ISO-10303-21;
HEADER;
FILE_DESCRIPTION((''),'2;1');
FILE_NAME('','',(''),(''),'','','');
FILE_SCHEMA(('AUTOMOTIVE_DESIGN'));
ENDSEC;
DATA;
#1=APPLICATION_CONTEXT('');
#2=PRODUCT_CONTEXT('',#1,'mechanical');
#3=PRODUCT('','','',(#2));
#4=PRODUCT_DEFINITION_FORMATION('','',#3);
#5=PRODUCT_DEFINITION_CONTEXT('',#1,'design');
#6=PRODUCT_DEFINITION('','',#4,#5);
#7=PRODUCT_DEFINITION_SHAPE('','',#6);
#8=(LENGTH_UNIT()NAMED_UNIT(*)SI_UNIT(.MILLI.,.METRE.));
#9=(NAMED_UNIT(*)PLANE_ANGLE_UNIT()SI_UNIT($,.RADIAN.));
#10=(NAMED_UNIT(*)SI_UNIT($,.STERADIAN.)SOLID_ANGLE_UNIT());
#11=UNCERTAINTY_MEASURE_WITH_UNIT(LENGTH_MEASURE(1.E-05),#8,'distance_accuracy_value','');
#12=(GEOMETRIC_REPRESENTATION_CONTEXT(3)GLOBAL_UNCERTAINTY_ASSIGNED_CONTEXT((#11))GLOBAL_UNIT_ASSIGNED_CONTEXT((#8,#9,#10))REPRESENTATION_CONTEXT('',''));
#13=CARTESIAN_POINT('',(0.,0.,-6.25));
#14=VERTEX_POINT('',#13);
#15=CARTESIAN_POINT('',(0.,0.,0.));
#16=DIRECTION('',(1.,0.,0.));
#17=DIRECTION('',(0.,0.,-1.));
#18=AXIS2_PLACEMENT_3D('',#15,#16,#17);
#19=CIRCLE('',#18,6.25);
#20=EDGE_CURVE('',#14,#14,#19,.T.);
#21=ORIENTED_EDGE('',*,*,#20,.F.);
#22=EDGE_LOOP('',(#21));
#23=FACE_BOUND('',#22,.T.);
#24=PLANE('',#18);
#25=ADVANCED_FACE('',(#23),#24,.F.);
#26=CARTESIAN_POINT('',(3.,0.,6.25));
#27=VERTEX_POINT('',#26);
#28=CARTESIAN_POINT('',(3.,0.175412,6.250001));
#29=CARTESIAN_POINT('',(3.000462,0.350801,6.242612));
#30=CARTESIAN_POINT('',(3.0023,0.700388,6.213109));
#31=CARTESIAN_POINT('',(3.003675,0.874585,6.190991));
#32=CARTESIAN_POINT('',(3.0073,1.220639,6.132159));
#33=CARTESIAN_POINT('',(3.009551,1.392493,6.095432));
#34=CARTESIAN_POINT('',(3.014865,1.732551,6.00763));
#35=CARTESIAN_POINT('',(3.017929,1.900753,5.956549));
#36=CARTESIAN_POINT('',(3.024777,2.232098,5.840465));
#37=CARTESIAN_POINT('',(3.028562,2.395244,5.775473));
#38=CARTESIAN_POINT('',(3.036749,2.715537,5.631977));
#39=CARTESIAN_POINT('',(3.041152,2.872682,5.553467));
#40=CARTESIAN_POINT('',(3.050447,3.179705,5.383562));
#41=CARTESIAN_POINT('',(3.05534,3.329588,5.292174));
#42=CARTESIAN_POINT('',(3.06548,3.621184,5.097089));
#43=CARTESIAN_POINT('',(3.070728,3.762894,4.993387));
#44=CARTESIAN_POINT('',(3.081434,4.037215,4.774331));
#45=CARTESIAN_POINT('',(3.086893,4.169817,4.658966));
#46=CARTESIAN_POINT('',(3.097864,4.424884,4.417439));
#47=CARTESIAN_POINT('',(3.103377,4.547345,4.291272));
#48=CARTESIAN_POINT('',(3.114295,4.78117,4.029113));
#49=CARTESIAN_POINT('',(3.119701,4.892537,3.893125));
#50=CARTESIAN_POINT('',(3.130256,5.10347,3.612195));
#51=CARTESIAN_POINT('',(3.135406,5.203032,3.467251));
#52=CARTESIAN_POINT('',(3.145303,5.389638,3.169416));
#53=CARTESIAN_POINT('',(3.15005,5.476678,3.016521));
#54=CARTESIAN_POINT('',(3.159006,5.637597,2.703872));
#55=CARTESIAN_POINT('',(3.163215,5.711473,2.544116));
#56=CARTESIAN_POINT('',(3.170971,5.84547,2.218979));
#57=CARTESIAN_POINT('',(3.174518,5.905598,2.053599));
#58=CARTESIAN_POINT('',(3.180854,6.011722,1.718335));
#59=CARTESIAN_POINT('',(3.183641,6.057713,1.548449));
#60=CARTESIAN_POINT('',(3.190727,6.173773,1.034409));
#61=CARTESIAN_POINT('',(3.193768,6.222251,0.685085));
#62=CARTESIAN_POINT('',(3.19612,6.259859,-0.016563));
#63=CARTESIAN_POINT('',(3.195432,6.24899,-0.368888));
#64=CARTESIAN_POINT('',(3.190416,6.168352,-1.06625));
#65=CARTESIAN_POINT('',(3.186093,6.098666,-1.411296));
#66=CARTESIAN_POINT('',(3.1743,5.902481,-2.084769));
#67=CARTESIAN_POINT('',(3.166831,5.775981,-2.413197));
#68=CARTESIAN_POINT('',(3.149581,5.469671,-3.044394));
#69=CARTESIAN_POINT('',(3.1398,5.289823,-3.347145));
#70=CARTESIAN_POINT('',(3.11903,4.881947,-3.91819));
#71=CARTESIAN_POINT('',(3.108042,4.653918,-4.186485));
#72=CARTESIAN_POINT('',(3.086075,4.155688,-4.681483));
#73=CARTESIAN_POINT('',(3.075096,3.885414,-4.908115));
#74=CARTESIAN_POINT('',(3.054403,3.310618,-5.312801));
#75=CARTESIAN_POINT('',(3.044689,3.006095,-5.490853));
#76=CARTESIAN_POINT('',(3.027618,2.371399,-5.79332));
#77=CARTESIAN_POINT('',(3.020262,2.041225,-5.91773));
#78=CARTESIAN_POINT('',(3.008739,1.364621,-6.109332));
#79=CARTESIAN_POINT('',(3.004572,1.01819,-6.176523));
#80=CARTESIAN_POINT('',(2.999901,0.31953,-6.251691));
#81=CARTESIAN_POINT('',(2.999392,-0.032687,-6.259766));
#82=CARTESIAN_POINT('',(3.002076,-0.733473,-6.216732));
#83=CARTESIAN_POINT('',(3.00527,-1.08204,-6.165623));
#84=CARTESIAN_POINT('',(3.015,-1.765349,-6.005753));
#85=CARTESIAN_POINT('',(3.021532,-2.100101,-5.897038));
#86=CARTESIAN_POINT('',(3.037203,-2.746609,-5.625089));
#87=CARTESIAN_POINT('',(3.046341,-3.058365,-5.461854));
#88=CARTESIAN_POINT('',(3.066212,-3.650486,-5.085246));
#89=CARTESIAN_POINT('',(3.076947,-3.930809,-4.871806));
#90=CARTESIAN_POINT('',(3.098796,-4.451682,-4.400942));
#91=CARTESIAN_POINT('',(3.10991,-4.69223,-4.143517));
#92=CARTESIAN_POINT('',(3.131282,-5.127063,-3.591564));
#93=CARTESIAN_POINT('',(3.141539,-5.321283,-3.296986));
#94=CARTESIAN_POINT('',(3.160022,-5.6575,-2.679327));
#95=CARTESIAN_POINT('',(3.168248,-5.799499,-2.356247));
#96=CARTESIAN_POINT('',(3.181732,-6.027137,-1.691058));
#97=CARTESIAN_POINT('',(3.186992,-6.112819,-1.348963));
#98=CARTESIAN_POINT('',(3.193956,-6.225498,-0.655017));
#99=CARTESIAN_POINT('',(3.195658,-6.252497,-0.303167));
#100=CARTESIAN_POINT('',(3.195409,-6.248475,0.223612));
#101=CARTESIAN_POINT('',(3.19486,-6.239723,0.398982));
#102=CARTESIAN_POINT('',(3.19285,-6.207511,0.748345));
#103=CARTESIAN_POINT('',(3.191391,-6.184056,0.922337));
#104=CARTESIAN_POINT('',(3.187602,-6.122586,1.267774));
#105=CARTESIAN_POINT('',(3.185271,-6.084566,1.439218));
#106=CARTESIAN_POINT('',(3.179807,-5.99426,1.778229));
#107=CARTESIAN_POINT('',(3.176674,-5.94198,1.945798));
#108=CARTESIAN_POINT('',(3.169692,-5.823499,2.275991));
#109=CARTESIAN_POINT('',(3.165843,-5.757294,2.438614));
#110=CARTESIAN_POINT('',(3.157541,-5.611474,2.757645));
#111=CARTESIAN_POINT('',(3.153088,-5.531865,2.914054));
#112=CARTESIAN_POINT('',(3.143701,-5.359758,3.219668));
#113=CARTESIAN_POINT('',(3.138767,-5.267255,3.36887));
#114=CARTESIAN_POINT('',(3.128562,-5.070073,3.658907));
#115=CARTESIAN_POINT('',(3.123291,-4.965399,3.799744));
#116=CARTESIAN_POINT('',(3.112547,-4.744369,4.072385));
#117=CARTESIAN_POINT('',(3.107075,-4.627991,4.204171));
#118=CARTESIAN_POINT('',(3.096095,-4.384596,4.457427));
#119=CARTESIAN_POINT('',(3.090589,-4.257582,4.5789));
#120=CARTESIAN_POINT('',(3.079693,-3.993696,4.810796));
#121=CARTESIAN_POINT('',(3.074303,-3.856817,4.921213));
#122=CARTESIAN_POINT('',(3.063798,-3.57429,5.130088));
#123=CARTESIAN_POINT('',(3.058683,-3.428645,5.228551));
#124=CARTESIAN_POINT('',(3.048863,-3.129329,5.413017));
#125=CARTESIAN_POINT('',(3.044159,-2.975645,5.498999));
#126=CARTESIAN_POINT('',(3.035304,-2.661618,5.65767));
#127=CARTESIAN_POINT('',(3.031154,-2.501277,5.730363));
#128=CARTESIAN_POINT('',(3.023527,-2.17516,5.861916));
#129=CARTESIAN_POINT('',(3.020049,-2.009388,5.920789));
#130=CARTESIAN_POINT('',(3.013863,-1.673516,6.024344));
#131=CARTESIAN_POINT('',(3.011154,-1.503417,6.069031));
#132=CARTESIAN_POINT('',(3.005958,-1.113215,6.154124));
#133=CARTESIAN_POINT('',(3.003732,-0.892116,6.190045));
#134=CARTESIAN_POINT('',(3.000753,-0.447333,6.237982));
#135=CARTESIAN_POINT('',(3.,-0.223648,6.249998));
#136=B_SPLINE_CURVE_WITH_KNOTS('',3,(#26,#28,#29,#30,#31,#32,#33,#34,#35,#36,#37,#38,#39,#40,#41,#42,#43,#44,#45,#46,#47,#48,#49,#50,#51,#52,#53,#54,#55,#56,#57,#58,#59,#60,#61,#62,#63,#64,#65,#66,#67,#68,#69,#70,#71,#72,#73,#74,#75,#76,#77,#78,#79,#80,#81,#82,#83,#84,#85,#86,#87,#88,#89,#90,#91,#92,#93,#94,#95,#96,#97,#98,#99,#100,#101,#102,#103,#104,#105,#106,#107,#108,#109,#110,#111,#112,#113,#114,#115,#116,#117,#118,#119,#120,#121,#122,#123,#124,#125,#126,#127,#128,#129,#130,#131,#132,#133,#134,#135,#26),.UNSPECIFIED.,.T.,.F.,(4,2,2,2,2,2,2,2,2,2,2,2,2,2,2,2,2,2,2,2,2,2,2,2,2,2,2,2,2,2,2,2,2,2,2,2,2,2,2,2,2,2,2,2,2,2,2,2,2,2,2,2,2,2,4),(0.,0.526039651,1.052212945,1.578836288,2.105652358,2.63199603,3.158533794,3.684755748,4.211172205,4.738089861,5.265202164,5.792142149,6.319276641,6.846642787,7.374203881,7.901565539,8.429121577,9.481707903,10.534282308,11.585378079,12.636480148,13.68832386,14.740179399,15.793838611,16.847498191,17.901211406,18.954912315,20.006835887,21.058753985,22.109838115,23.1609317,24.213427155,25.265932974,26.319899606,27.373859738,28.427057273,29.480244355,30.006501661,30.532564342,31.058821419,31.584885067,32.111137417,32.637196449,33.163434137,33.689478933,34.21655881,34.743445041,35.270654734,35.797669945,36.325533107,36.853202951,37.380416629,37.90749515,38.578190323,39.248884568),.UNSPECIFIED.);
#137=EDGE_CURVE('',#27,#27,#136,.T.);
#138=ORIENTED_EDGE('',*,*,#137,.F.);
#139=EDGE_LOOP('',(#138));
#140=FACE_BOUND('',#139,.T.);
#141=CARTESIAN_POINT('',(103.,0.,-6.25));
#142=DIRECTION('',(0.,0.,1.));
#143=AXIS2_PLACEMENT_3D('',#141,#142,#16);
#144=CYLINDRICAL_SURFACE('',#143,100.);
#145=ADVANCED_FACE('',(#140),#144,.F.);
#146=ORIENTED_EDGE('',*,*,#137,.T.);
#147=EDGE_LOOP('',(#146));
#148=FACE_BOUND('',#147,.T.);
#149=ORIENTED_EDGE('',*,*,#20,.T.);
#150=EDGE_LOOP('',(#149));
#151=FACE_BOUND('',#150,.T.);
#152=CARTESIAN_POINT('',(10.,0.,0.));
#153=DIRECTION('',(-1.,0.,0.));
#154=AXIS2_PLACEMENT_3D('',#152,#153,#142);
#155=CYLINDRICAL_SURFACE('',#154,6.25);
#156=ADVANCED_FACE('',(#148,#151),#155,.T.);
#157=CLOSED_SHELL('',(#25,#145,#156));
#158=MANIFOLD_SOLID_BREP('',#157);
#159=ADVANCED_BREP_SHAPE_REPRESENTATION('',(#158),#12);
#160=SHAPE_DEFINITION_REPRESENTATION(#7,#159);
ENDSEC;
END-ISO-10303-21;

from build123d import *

# Parameters (mm, degrees)
SKETCH_1_R               = 6.25
EXTRUDE_1_DEPTH          = 10
SKETCH_2_R               = 100
CUT_EXTRUDE_1_DEPTH      = 7.25
CUT_EXTRUDE_1_DEPTH_BACK = 7.25


with BuildPart() as part:
    # 草图1 → 凸台-拉伸1 (new body)
    with BuildSketch(Plane(origin=(0, 0, 0), x_dir=(0, 0, -1), z_dir=(1, 0, 0))):
        Circle(SKETCH_1_R)
    extrude(amount=EXTRUDE_1_DEPTH)

    # 草图2 → 切除-拉伸1 (cut, two sides)
    with BuildSketch(Plane.XY) as cut_extrude_1_sk:
        with Locations((103, 0)):
            Circle(SKETCH_2_R)
    extrude(amount=CUT_EXTRUDE_1_DEPTH, mode=Mode.SUBTRACT)
    extrude(cut_extrude_1_sk.sketch, amount=-CUT_EXTRUDE_1_DEPTH_BACK, mode=Mode.SUBTRACT)


solid = part.part
